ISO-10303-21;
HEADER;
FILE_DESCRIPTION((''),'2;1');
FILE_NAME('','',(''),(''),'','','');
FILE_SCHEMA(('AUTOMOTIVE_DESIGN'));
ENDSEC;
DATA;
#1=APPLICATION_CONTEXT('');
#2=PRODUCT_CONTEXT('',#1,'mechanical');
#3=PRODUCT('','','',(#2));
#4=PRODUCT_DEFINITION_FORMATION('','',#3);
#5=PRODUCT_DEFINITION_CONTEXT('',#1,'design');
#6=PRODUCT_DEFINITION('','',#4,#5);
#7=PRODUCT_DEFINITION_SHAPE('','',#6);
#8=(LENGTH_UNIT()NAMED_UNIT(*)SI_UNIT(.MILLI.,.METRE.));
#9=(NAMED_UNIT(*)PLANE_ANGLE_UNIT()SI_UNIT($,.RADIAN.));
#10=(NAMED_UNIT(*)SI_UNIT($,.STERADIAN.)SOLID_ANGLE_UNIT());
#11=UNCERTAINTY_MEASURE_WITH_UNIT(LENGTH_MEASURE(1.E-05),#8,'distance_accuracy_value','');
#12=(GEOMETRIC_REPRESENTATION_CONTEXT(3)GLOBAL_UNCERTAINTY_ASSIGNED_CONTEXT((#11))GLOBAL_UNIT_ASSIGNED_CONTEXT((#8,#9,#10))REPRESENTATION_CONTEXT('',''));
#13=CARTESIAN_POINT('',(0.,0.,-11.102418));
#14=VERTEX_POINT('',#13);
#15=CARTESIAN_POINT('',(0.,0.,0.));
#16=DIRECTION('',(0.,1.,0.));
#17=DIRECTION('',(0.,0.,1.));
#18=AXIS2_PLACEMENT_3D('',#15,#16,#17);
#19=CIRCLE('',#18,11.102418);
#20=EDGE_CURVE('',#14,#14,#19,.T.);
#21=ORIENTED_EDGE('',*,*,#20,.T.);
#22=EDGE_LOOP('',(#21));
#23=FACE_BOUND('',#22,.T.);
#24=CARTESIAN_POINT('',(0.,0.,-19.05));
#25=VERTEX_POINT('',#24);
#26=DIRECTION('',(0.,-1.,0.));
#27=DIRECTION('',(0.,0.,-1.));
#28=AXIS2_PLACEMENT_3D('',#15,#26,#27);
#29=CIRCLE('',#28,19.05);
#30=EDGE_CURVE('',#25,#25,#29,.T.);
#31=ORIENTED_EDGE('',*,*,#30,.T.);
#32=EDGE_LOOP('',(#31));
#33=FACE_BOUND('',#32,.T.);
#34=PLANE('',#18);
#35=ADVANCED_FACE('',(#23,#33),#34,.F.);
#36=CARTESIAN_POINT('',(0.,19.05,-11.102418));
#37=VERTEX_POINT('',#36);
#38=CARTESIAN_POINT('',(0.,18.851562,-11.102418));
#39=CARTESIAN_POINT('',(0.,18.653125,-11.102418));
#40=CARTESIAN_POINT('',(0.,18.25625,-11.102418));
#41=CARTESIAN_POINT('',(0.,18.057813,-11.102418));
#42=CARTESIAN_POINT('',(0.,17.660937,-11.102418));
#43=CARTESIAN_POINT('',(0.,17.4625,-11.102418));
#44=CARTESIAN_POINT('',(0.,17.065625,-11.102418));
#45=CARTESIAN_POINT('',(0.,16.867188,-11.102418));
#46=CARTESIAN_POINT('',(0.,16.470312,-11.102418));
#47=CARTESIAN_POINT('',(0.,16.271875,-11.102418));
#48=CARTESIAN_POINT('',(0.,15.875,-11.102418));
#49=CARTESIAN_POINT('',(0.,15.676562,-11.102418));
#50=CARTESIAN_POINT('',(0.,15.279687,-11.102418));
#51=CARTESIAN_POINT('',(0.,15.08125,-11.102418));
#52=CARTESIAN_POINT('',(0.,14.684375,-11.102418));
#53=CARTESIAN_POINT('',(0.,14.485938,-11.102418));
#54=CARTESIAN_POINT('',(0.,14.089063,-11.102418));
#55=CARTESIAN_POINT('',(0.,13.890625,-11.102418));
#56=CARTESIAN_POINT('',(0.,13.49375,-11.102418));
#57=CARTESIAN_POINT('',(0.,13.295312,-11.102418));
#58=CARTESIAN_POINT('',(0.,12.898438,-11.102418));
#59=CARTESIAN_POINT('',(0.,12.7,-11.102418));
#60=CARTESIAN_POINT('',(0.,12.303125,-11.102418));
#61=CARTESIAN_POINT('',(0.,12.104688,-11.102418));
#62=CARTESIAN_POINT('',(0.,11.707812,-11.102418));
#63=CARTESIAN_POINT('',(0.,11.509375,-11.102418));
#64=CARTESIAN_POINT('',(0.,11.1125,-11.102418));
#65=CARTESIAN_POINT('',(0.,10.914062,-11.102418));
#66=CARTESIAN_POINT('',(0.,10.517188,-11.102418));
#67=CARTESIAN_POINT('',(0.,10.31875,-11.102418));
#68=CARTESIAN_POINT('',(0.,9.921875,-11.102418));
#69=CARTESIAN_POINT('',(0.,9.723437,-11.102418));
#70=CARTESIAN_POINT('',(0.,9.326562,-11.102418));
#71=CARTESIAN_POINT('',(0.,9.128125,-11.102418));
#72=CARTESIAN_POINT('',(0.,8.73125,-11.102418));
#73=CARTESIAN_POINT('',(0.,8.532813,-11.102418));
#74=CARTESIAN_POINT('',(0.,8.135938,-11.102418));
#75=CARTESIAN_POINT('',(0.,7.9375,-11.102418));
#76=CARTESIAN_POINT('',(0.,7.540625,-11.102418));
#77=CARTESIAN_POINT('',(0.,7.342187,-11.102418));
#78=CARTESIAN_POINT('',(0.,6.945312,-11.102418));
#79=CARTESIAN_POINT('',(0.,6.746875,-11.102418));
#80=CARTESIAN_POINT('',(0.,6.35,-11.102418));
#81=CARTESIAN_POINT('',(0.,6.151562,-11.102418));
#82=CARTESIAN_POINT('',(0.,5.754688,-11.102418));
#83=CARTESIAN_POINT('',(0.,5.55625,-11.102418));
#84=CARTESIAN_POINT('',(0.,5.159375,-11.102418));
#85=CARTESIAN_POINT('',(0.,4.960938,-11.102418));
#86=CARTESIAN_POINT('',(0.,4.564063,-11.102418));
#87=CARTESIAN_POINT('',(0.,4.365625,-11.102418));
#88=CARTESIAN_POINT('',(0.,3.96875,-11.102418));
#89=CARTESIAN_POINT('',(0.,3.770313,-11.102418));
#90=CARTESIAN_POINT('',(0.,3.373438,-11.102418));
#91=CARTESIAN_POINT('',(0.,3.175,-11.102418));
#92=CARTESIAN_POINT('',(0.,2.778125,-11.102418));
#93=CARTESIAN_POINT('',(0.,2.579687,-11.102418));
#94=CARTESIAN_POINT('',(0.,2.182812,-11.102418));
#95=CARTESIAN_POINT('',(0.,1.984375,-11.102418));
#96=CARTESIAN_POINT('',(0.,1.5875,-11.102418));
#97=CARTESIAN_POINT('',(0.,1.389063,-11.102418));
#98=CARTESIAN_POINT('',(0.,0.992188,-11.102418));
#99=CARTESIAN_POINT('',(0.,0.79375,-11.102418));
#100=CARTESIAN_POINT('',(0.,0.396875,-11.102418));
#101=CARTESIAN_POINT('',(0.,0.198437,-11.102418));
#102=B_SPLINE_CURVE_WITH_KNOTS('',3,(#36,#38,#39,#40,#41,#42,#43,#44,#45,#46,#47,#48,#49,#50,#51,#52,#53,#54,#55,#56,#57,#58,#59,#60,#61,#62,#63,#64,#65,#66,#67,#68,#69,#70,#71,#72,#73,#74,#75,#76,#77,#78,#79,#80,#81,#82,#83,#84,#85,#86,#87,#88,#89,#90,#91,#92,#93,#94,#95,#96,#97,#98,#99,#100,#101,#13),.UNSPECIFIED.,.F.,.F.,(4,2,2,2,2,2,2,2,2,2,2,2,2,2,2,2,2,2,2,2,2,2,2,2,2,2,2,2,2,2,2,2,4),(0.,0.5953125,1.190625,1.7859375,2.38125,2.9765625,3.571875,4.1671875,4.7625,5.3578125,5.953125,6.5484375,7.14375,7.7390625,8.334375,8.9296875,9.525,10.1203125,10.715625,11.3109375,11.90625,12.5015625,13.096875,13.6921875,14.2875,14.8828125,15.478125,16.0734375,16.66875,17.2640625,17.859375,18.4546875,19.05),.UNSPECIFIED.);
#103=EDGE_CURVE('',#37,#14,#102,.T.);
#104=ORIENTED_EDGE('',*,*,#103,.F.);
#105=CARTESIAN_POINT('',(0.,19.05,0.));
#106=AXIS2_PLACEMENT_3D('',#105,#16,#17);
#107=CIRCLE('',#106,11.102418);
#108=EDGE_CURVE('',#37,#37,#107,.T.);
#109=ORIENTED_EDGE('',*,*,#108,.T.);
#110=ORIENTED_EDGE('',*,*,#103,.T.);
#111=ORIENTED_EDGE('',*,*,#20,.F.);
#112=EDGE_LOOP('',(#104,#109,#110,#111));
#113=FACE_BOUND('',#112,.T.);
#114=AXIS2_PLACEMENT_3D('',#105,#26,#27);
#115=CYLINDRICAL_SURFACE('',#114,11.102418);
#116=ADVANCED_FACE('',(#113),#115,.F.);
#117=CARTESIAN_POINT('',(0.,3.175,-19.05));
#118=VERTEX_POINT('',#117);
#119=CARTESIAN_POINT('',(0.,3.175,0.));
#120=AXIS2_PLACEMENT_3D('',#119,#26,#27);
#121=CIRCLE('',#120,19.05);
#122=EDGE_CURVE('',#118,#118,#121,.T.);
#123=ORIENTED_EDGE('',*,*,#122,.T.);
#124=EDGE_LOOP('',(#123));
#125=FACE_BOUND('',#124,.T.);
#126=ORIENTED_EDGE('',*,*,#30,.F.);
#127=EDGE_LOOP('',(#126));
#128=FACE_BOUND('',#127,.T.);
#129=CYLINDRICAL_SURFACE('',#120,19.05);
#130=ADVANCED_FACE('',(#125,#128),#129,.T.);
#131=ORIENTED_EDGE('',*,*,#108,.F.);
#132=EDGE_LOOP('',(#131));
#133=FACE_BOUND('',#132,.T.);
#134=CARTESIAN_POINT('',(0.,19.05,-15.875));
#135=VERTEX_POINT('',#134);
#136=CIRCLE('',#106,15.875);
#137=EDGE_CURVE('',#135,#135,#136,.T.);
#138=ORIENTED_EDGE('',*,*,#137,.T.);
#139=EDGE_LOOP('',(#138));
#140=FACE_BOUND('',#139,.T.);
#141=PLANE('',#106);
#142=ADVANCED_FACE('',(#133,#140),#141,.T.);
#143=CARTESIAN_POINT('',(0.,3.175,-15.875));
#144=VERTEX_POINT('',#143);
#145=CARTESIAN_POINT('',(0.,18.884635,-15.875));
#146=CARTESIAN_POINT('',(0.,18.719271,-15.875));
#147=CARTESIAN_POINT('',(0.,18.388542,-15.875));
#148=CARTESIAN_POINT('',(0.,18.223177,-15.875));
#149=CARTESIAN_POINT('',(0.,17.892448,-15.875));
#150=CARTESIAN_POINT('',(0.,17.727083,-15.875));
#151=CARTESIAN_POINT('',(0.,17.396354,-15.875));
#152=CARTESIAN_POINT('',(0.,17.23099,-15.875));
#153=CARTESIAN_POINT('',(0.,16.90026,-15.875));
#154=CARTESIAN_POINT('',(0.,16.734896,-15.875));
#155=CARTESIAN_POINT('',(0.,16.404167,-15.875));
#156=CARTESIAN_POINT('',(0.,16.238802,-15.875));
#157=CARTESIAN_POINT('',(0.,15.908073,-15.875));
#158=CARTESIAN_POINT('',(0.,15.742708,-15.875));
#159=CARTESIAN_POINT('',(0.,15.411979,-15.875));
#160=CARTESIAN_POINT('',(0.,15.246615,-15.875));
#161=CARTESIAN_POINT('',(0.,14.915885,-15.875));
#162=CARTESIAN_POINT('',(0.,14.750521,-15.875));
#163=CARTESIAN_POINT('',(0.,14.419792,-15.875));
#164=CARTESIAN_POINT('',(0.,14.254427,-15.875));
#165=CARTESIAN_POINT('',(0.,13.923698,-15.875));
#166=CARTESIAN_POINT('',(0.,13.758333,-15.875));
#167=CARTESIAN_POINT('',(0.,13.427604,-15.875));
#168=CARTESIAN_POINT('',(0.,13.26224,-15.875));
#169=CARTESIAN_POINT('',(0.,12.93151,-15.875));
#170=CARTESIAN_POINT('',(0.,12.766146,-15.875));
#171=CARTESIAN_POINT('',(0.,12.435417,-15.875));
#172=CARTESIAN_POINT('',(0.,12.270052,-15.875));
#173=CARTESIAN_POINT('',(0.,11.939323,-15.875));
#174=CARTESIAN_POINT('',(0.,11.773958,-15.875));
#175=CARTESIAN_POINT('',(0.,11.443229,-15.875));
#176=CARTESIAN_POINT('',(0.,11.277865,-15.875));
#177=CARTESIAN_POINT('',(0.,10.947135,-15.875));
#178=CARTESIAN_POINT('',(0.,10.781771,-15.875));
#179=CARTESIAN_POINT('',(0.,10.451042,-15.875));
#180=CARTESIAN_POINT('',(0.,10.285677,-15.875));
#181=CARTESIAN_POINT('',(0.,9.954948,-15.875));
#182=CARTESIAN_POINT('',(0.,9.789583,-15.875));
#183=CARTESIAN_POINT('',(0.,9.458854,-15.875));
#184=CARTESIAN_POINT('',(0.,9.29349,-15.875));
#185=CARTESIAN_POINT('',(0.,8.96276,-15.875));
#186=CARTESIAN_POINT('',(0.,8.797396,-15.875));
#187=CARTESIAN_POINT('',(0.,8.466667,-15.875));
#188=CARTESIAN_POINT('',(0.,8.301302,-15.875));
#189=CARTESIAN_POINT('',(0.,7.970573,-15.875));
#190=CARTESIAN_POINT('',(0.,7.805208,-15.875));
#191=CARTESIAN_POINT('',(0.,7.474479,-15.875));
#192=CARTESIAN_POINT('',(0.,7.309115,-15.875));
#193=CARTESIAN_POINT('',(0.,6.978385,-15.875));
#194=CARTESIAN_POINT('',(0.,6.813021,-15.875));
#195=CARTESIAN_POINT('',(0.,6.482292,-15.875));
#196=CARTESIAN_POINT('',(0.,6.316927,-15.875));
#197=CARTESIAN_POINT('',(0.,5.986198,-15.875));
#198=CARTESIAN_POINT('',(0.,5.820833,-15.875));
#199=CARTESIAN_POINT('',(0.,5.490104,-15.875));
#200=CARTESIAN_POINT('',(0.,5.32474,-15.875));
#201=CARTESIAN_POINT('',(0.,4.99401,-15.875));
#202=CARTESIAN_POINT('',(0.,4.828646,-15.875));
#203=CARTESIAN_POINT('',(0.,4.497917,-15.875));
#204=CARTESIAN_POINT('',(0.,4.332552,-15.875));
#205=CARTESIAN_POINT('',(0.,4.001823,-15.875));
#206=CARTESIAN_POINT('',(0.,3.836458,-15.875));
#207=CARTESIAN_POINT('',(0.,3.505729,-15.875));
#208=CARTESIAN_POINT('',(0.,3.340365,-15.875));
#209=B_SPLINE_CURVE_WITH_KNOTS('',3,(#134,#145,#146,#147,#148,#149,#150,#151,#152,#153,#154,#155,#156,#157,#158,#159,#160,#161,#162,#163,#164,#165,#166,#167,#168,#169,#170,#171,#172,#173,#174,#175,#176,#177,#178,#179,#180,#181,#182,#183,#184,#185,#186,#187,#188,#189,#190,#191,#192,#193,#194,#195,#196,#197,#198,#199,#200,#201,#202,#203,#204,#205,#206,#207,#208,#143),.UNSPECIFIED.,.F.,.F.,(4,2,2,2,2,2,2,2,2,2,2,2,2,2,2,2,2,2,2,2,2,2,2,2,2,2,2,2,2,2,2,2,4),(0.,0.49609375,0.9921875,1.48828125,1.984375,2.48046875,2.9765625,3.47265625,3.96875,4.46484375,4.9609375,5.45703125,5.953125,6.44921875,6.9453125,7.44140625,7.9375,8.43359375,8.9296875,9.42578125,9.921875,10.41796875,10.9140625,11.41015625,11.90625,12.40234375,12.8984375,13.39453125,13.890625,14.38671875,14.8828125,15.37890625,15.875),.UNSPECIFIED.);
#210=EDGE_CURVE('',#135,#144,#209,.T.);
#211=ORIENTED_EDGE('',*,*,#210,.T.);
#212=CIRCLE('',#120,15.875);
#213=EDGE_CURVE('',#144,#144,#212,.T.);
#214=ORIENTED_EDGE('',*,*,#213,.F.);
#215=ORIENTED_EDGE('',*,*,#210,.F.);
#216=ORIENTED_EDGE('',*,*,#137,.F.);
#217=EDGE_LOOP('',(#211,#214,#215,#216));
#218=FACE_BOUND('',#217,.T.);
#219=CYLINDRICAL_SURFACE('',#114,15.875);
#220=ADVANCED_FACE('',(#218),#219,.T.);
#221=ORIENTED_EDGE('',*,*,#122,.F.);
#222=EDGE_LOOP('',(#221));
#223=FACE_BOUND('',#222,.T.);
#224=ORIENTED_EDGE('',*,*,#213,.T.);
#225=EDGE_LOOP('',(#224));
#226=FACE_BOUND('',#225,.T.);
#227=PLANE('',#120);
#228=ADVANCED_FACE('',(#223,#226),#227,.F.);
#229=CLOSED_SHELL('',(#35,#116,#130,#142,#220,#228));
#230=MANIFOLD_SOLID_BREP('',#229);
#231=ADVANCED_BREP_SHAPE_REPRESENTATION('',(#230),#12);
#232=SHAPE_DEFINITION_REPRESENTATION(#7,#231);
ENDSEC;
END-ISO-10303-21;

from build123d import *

# Parameters (mm, degrees)
SKETCH1_R           = 15.875
SKETCH1_R_2         = 11.102417862
BOSS_EXTRUDE1_DEPTH = 19.05
SKETCH2_R           = 19.05
SKETCH2_R_2         = 15.875
BOSS_EXTRUDE2_DEPTH = 3.175


with BuildPart() as part:
    # Sketch1 → Boss-Extrude1 (new body)
    with BuildSketch(Plane(origin=(0, 0, 0), x_dir=(1, 0, 0), z_dir=(0, 1, 0))):
        with Locations(Location((0, 0, 0), (0, 0, 90))):
            Circle(SKETCH1_R)
        with Locations(Location((0, 0, 0), (0, 0, 90))):
            Circle(SKETCH1_R_2, mode=Mode.SUBTRACT)
    extrude(amount=BOSS_EXTRUDE1_DEPTH)

    # Sketch2 → Boss-Extrude2 (add)
    with BuildSketch(Plane.XZ):
        with Locations(Location((0, 0, 0), (0, 0, 270))):
            Circle(SKETCH2_R)
        with Locations(Location((0, 0, 0), (0, 0, 270))):
            Circle(SKETCH2_R_2, mode=Mode.SUBTRACT)
    extrude(amount=-BOSS_EXTRUDE2_DEPTH)


solid = part.part
